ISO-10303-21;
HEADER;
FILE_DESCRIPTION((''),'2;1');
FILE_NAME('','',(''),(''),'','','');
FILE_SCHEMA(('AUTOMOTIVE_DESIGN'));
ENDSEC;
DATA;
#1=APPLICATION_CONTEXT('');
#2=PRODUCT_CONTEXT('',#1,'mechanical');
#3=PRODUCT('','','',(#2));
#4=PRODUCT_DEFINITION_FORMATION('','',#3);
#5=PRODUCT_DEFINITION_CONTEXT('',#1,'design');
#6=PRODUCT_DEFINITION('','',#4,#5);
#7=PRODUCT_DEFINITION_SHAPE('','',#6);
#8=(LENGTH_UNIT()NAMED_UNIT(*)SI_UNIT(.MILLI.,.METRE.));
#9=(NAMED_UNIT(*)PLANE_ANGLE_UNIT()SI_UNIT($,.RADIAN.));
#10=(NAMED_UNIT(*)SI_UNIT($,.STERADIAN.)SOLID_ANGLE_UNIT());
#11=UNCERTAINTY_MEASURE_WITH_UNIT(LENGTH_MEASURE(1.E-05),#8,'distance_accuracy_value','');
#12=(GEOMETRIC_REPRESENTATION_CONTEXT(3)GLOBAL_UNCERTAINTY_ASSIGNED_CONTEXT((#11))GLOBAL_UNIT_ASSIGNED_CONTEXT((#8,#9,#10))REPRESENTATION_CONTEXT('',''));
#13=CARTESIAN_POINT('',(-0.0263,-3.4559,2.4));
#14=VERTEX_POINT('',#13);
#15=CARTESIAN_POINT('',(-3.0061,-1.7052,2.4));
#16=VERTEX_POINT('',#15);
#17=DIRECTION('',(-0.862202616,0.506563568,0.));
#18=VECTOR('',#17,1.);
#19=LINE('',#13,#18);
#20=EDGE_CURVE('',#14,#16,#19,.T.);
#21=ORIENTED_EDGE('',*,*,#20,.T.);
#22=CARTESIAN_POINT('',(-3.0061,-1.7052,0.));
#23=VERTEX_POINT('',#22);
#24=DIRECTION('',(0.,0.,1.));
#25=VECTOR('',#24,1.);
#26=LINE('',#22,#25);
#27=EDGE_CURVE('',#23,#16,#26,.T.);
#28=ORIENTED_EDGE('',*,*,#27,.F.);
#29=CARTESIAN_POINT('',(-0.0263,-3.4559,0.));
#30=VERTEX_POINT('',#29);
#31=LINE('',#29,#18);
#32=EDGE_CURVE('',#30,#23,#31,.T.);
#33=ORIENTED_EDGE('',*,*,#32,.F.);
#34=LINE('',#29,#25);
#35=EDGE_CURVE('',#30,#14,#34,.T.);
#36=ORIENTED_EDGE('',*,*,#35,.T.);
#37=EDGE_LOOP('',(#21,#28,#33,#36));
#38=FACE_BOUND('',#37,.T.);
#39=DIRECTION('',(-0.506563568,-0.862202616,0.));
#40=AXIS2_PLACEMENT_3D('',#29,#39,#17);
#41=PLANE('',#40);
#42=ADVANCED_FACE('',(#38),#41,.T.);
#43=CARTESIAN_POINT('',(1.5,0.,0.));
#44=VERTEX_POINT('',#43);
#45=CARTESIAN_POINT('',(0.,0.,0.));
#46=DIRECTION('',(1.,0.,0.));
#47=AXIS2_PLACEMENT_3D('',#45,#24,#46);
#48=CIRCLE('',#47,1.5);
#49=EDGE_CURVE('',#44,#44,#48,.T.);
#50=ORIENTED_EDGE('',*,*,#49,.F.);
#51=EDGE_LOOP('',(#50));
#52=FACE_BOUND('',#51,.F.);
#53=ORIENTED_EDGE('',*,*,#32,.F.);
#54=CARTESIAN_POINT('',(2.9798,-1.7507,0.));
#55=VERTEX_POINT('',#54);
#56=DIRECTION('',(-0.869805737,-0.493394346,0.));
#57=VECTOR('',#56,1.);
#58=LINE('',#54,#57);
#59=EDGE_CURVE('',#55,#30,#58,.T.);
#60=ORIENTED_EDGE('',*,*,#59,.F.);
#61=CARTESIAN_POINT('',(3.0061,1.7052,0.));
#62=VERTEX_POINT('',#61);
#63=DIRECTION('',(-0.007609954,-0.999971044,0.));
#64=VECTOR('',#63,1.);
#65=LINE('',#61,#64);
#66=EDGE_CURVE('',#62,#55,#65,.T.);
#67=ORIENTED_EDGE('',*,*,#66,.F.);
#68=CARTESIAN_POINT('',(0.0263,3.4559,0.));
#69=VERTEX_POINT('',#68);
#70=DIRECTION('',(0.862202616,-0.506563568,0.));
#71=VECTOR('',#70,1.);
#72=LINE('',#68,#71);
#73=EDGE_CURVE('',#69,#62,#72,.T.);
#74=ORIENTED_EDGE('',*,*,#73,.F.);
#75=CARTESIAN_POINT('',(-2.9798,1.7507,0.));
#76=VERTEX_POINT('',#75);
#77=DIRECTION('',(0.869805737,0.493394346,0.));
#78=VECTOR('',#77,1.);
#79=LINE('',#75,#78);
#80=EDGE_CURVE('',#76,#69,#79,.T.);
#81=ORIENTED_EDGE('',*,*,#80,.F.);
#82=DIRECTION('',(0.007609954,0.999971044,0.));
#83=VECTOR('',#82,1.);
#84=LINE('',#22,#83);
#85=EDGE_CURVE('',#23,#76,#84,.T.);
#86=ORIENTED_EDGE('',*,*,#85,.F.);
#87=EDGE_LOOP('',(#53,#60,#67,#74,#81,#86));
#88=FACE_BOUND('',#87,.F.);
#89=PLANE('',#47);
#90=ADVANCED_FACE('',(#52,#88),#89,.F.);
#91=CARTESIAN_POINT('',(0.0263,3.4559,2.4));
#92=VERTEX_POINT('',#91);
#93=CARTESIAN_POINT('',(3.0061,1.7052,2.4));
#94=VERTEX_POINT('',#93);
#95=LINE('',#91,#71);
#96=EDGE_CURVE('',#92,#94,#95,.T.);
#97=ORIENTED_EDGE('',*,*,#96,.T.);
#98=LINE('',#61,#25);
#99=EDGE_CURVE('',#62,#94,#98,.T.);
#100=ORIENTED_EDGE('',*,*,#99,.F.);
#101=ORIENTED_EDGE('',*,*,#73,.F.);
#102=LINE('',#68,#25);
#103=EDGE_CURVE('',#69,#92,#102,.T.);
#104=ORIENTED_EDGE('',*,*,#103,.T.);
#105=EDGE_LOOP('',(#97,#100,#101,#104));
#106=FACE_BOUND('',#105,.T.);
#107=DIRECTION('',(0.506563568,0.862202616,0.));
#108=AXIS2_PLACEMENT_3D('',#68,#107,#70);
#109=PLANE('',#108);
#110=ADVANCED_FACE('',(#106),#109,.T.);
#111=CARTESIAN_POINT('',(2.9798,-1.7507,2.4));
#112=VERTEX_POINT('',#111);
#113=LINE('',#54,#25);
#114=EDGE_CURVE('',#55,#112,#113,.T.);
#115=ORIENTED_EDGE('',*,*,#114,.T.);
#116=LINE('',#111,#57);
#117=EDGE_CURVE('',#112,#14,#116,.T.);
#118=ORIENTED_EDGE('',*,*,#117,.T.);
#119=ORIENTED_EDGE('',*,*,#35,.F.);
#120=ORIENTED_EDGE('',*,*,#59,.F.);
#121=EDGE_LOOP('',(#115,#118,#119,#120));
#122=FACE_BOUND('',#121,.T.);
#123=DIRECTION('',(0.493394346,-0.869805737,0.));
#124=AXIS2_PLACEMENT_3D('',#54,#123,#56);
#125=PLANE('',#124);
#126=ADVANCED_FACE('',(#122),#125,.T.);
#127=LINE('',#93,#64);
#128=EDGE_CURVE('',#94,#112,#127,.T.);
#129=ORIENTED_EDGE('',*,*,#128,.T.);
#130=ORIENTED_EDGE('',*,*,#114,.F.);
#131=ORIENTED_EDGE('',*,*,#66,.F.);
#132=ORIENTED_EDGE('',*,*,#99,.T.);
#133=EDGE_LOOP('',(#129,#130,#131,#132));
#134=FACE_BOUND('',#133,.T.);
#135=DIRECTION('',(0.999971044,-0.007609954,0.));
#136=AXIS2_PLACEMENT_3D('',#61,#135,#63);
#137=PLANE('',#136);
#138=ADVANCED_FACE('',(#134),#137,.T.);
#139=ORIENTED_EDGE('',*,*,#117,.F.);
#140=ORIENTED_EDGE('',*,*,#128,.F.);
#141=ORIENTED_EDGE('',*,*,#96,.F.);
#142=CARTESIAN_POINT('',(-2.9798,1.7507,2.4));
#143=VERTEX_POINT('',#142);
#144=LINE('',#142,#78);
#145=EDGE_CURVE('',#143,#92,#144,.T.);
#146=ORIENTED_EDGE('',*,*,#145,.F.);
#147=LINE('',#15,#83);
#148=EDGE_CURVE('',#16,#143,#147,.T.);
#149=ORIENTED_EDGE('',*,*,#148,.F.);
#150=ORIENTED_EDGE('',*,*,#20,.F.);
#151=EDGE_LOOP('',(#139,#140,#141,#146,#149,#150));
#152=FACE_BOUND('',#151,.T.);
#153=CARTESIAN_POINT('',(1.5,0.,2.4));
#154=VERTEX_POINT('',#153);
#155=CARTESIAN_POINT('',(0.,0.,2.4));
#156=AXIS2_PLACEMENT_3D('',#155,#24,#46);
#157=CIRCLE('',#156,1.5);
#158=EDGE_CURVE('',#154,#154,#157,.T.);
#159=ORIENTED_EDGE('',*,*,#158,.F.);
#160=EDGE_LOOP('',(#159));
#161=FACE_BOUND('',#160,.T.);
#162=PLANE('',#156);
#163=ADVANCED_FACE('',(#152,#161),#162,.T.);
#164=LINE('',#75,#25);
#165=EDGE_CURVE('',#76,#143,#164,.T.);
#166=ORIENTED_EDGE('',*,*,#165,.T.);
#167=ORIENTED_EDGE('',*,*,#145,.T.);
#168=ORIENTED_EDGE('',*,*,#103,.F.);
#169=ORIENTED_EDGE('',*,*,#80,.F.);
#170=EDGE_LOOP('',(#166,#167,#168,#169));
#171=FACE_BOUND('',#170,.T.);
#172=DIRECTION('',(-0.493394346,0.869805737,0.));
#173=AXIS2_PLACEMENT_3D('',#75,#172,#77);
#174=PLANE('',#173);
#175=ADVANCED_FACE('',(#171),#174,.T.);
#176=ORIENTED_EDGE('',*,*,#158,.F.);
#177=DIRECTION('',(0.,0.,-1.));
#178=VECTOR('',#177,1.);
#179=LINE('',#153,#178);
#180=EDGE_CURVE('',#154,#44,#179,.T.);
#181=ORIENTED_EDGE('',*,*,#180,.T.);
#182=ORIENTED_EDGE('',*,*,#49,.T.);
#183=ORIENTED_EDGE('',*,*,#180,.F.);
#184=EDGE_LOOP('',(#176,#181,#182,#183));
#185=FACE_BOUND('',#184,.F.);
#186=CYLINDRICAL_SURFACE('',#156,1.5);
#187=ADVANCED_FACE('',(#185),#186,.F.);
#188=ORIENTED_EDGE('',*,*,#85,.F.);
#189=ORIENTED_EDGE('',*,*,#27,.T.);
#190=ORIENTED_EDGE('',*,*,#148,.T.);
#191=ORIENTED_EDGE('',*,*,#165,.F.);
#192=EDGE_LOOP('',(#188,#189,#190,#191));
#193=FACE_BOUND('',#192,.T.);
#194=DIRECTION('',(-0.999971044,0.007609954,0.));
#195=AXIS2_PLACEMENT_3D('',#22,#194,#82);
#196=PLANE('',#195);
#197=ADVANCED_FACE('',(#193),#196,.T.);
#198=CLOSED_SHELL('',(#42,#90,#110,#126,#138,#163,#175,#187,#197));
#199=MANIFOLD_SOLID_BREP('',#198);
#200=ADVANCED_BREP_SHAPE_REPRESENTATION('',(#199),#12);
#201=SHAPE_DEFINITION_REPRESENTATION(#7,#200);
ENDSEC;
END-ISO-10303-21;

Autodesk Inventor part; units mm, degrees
ref_plane "YZ Plane" through (0, 0, 0) normal (1, 0, 0) x (0, 1, 0)
ref_plane "XZ Plane" through (0, 0, 0) normal (0, 1, 0) x (-1, 0, 0)
ref_plane "XY Plane" through (0, 0, 0) normal (0, 0, 1) x (1, 0, 0)
sketch "Skizze1" plane through (0, 0, 0) normal (0, 0, 1) x (1, 0, 0)
  line L0 (-2.9798, 1.7507) -> (0.0263, 3.4559)
  line L1 (0.0263, 3.4559) -> (3.0061, 1.7052)
  line L2 (3.0061, 1.7052) -> (2.9798, -1.7507)
  line L3 (2.9798, -1.7507) -> (-0.0263, -3.4559)
  line L4 (-0.0263, -3.4559) -> (-3.0061, -1.7052)
  line L5 (-3.0061, -1.7052) -> (-2.9798, 1.7507)
  point P0 (0, 0)
extrude "Extrusion1" add sketch "Skizze1" along normal blind 2.4
sketch "Skizze2" plane through (0, 0, 2.4) normal (0, 0, 1) x (1, 0, 0)
  circle A0 centre (0, 0) radius 1.5
  dimension "d3" = 3
extrude "Extrusion2" cut sketch "Skizze2" against normal through all
thread "Gewinde1" size "M3x0.5" class "6H" standard "ANSI Metric M Profile" full length
properties part number "M3 Mutter"
